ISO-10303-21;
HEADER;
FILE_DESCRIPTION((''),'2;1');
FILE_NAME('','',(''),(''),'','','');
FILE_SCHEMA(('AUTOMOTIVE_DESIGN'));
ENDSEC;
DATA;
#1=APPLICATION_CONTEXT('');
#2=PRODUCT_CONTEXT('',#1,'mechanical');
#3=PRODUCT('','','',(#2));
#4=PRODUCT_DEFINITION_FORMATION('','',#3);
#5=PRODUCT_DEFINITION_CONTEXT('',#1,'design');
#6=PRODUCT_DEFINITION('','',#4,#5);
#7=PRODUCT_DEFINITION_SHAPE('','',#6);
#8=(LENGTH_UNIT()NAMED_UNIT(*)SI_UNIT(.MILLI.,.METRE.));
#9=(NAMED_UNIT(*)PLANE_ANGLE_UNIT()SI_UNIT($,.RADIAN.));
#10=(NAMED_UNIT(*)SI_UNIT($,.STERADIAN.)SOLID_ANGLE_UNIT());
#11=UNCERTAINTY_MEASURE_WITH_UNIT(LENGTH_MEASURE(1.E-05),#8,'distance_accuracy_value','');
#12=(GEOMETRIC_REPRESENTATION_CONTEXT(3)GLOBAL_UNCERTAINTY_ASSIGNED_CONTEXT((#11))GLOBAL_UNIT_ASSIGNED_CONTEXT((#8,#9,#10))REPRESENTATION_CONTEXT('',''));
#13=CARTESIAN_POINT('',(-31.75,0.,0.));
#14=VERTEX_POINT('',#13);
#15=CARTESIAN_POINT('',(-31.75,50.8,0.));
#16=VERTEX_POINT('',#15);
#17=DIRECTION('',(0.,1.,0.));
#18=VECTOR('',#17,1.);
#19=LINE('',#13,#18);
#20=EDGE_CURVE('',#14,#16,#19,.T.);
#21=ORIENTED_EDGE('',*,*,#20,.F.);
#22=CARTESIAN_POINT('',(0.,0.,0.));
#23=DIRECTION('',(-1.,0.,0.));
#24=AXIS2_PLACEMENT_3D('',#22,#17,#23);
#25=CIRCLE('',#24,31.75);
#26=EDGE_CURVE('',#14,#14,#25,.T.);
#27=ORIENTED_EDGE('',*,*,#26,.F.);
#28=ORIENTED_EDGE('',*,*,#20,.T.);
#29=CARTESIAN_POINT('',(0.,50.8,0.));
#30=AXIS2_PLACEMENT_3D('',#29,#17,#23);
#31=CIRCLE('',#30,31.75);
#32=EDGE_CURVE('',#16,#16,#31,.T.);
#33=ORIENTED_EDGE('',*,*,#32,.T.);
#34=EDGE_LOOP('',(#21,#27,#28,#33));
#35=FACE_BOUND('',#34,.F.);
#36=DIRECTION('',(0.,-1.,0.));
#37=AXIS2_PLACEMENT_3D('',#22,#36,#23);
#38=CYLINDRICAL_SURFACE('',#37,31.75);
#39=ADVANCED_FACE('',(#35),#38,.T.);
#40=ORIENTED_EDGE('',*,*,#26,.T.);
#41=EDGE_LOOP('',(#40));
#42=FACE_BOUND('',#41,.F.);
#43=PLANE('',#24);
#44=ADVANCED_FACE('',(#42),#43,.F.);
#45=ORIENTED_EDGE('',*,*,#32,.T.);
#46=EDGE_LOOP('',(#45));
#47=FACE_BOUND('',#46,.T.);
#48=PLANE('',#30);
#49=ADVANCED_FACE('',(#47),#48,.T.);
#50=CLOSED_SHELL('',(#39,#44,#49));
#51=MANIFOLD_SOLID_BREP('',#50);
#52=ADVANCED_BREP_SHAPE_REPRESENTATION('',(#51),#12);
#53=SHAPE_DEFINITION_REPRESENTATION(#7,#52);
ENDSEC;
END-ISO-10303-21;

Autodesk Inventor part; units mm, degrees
ref_plane "YZ Plane" through (0, 0, 0) normal (1, 0, 0) x (0, 1, 0)
ref_plane "XZ Plane" through (0, 0, 0) normal (0, 1, 0) x (-1, 0, 0)
ref_plane "XY Plane" through (0, 0, 0) normal (0, 0, 1) x (1, 0, 0)
sketch "Sketch1" plane through (0, 0, 0) normal (0, 1, 0) x (-1, 0, 0)
  circle A0 centre (0, 0) radius 31.75
  dimension "d0" = 63.5
extrude "Extrusion1" add sketch "Sketch1" along normal blind 50.8
properties part number "2.5in roller"
